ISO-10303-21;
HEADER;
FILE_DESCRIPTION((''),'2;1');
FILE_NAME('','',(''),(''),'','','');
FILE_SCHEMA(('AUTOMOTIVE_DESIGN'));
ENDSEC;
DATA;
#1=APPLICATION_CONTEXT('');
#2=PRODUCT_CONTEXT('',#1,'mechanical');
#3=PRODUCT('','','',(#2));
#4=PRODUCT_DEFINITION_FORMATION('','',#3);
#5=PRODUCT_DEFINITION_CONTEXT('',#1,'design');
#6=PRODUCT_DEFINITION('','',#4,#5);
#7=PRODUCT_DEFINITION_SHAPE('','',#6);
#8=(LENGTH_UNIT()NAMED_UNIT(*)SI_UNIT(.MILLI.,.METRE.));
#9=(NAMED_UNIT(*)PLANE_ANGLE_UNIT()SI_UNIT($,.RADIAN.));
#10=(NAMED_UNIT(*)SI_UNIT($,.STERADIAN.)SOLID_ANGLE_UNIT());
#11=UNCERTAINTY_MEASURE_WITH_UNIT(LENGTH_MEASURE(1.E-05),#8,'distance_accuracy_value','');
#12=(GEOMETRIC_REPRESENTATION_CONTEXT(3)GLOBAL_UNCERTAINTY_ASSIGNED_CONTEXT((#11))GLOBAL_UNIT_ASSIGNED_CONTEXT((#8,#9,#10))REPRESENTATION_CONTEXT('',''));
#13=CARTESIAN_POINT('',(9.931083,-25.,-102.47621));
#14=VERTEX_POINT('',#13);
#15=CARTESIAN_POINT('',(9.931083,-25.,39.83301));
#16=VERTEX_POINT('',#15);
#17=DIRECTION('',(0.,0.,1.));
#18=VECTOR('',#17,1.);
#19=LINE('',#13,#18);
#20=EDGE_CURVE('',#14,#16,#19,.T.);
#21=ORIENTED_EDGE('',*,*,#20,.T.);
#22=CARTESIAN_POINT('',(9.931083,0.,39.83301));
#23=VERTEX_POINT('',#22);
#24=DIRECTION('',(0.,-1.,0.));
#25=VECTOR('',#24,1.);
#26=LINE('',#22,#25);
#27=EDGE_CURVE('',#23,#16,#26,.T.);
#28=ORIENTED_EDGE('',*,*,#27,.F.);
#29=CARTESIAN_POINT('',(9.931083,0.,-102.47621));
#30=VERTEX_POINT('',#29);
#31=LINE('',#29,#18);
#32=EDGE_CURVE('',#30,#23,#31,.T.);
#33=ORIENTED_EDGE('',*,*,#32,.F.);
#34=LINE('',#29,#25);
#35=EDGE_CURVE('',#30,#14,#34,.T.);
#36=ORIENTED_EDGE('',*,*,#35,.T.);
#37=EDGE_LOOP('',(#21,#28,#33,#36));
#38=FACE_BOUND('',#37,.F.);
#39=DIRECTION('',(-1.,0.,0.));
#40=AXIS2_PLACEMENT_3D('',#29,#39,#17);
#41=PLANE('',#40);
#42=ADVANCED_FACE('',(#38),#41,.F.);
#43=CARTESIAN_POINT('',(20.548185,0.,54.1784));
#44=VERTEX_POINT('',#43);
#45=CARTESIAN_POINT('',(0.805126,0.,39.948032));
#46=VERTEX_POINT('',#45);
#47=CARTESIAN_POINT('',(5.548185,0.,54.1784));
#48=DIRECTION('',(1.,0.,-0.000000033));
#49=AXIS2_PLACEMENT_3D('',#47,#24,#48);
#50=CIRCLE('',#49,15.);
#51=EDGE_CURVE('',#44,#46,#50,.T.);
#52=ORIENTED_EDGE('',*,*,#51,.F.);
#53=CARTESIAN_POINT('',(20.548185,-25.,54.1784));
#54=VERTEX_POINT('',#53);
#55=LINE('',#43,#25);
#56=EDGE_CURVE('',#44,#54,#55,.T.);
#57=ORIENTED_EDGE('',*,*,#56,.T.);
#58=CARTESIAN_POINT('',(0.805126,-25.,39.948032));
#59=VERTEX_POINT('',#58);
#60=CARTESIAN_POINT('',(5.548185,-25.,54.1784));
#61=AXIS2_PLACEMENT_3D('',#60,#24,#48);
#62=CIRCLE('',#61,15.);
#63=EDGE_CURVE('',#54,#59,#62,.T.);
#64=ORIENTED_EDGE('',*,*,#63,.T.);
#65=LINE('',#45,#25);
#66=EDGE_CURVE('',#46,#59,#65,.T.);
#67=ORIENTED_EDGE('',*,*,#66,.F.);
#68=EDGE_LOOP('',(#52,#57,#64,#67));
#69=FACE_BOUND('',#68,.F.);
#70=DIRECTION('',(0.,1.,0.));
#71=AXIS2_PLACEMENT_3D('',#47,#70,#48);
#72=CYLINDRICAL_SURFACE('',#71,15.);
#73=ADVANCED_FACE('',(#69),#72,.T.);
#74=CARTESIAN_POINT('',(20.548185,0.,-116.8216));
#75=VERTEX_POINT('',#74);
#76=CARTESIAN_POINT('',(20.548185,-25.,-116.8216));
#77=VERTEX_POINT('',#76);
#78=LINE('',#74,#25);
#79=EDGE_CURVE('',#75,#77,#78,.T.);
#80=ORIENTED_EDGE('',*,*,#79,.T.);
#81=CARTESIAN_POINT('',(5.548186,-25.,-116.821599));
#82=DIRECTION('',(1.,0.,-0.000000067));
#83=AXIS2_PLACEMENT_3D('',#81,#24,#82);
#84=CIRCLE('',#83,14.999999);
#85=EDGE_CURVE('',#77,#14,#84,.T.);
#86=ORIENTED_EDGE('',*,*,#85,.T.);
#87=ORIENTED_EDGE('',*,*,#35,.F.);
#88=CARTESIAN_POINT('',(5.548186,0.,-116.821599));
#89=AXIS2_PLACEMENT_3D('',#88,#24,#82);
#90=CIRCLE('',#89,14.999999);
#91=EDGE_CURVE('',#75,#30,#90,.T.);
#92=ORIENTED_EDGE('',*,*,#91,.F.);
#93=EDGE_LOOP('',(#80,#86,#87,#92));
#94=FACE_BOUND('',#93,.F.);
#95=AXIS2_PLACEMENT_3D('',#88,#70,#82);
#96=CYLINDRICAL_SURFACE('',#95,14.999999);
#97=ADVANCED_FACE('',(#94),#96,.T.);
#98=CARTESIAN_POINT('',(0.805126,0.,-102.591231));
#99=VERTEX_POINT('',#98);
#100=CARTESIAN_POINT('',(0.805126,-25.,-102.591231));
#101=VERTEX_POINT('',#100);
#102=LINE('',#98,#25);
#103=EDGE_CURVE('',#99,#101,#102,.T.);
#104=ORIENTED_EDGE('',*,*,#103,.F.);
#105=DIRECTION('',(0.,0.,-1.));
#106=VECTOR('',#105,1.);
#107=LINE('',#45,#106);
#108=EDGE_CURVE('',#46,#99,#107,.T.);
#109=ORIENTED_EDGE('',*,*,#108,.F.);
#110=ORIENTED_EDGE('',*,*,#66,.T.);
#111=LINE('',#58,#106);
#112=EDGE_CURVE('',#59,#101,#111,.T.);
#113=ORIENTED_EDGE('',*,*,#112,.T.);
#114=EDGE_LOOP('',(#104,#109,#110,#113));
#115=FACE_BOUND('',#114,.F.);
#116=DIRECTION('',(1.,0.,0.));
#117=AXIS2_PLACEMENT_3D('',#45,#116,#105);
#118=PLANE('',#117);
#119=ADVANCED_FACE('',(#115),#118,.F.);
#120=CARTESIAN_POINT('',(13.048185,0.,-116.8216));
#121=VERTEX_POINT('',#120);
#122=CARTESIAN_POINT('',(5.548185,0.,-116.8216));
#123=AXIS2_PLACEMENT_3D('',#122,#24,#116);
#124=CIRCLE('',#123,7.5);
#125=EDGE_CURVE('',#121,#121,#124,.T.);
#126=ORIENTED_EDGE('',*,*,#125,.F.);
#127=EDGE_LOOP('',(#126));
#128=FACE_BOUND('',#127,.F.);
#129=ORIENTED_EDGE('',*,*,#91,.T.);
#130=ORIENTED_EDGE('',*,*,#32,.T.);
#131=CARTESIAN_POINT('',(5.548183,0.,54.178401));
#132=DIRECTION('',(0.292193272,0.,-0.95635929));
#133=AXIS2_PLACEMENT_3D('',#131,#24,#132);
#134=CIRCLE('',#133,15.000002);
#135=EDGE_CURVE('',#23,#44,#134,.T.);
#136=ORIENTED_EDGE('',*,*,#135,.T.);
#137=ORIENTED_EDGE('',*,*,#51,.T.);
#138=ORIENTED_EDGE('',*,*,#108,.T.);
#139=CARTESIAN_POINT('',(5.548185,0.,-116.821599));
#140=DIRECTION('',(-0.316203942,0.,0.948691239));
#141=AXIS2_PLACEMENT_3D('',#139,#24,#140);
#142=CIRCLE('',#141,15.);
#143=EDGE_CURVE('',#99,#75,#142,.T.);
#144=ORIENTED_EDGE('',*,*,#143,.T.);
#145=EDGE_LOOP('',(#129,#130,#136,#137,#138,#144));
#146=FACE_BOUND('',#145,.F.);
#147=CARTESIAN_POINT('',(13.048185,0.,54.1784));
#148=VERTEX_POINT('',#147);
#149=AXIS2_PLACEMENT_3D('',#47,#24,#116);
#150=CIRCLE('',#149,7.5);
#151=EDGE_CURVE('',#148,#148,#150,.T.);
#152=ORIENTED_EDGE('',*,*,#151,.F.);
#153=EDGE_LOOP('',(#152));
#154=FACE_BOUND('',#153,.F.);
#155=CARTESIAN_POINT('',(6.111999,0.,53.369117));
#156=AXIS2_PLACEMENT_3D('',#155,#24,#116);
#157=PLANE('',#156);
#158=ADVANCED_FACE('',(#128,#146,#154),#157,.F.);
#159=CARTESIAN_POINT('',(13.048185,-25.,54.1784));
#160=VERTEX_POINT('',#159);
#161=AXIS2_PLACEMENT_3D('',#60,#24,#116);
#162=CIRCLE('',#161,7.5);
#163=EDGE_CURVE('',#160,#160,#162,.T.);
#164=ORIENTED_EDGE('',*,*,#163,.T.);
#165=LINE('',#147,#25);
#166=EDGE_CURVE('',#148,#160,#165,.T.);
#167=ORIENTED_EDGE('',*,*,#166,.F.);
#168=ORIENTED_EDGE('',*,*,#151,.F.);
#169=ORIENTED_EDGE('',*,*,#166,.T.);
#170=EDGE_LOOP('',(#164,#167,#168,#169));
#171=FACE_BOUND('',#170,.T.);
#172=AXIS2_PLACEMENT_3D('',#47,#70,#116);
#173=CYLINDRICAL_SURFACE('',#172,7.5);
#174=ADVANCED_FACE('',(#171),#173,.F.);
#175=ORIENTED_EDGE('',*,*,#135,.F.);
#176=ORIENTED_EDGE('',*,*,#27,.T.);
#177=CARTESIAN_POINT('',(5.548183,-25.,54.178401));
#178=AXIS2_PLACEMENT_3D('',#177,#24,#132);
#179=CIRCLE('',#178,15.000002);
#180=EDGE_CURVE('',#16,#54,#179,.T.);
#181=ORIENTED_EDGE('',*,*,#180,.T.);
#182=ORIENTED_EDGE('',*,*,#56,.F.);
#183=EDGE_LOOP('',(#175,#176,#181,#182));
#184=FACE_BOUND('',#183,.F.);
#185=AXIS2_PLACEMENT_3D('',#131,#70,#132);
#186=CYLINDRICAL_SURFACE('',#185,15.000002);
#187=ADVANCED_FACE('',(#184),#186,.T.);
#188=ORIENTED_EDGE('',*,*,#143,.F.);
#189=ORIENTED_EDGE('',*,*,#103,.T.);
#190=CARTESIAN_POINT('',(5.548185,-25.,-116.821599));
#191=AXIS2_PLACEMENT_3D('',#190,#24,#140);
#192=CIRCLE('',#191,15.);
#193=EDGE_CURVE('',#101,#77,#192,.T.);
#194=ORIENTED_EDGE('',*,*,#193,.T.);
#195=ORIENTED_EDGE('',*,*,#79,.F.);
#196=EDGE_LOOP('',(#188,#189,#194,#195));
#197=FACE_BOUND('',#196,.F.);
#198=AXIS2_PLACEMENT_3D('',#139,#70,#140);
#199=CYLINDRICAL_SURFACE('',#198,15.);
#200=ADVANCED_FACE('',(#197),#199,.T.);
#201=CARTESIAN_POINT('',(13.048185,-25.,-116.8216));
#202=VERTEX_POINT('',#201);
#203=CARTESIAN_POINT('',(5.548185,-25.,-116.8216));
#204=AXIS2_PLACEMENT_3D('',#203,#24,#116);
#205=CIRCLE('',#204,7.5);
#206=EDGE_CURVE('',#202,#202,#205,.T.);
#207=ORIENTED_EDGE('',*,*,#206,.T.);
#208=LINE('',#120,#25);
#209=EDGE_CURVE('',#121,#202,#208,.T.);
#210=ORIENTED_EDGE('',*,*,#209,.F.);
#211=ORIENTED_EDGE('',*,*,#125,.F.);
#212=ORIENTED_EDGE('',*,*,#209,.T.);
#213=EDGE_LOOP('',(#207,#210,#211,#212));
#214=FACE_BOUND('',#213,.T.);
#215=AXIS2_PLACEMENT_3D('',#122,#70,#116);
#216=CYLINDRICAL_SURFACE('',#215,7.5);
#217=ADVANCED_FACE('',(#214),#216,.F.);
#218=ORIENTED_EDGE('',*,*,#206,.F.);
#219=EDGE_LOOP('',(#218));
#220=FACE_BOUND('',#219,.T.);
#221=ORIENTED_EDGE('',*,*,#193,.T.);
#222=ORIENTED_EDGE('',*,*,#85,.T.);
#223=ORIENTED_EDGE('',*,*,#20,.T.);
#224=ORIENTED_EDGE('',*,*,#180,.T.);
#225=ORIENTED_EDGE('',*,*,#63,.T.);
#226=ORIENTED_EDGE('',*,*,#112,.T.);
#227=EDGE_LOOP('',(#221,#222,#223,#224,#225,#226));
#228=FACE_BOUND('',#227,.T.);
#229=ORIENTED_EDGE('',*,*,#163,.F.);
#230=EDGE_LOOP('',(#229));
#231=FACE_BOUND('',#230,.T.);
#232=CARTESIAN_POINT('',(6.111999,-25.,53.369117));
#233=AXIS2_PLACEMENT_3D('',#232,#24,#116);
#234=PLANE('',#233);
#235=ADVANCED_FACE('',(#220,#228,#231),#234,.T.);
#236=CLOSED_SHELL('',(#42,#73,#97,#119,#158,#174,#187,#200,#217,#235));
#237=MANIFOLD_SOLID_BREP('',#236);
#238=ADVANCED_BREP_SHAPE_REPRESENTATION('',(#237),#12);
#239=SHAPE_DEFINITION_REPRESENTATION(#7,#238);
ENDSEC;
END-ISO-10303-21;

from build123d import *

# Parameters (mm, degrees)
F0_R     = 7.5
F1_DEPTH = 25


with BuildPart() as f1:
    # F0 (on Front) → F1 (new body)
    with BuildSketch(Plane.XZ):
        with BuildLine():
            ThreePointArc((9.931083, 39.83301), (17.605205, 45.254933), (20.548185, 54.1784))
            ThreePointArc((20.548185, 54.1784), (-3.222622, 66.346923), (0.805126, 39.948032))
            ThreePointArc((0.805126, 39.948032), (5.359144, 39.179592), (9.931083, 39.83301))
        make_face()
        with Locations((5.548185, 54.1784)):
            Circle(F0_R, mode=Mode.SUBTRACT)
        with BuildLine():
            ThreePointArc((9.931083, 39.83301), (5.359144, 39.179592), (0.805126, 39.948032))
            Line((0.805126, 39.948032), (0.805126, -102.591231))
            ThreePointArc((0.805126, -102.591231), (5.359144, -101.822791), (9.931083, -102.47621))
            Line((9.931083, -102.47621), (9.931083, 39.83301))
        make_face()
        with BuildLine():
            ThreePointArc((9.931083, -102.47621), (5.359144, -101.822791), (0.805126, -102.591231))
            ThreePointArc((0.805126, -102.591231), (-3.222622, -128.990122), (20.548185, -116.8216))
            ThreePointArc((20.548185, -116.8216), (17.605205, -107.898132), (9.931083, -102.47621))
        make_face()
        with Locations((5.548185, -116.8216)):
            Circle(F0_R, mode=Mode.SUBTRACT)
    extrude(amount=F1_DEPTH)


solid = f1.part
